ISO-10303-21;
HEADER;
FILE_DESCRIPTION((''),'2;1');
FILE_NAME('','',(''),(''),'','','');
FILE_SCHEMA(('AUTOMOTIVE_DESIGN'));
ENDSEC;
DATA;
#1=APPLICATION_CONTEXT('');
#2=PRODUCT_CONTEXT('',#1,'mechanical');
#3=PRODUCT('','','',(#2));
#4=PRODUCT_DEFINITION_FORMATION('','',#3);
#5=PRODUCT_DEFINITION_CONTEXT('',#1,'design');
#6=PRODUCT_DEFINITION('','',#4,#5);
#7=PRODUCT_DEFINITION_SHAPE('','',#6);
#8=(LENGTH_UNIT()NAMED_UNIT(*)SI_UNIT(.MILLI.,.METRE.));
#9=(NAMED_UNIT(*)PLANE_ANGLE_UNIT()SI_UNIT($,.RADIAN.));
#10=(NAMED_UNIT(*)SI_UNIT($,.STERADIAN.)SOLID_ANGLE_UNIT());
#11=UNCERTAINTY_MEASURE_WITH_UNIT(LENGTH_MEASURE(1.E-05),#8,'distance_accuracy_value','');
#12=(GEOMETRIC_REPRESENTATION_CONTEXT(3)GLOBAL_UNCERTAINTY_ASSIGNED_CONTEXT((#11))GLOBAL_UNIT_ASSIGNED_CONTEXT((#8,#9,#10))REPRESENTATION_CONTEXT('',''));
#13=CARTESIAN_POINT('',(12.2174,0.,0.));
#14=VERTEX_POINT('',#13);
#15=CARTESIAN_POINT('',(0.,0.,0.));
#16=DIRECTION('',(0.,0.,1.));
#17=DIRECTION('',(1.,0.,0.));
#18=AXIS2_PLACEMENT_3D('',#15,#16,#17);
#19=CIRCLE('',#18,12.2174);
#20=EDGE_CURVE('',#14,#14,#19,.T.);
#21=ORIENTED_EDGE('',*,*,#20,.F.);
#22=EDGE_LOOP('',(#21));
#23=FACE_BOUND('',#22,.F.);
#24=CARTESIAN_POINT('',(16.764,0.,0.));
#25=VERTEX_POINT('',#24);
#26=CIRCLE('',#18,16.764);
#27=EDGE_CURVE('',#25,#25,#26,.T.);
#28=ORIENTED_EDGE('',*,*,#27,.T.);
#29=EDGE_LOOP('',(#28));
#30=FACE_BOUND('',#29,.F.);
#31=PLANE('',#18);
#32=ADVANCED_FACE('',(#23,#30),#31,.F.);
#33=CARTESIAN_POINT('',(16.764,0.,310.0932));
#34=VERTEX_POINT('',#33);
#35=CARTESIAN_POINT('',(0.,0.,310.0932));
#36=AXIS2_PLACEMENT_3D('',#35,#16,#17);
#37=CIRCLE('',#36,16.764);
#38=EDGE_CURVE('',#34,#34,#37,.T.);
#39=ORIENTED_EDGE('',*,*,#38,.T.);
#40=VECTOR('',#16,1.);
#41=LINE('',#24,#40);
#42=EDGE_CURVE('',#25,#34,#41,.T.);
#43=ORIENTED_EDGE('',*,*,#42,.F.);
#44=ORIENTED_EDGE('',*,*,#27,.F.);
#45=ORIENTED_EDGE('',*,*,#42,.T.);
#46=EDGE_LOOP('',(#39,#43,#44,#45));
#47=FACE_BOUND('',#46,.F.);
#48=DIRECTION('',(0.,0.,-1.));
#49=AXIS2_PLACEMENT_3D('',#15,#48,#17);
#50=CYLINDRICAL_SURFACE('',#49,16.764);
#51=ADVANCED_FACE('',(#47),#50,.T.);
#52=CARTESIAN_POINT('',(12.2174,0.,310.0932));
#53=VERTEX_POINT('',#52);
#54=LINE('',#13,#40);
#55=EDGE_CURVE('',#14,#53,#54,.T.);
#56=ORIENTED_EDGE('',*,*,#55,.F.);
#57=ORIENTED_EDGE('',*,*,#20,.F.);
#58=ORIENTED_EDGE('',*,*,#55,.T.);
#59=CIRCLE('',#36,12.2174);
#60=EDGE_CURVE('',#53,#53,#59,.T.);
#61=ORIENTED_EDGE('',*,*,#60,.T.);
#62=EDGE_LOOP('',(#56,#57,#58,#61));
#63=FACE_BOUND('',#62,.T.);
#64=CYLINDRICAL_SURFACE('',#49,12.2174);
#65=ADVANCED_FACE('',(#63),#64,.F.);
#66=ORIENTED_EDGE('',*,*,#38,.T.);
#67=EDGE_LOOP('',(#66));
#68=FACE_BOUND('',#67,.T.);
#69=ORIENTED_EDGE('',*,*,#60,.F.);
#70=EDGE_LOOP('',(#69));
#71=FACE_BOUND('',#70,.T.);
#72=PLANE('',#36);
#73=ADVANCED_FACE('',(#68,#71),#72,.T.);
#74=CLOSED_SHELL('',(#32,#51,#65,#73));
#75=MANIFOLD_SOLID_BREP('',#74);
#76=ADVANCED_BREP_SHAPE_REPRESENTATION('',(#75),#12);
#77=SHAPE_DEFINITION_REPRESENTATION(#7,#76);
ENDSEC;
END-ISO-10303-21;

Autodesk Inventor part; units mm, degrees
ref_plane "YZ Plane" through (0, 0, 0) normal (1, 0, 0) x (0, 1, 0)
ref_plane "Start Plane" through (0, 0, 0) normal (0, 0, 1) x (1, 0, 0)
ref_plane "End Plane" through (0, 0, 310.0932) normal (0, 0, 1) x (1, 0, 0)
sketch "Sketch" plane through (0, 0, 0) normal (0, 0, 1) x (1, 0, 0)
  circle A0 centre (0, 0) radius 12.2174
  circle A1 centre (0, 0) radius 16.764
  dimension "d0" = 33.528
  dimension "d1" = 4.5466
extrude "Body" add sketch "Sketch" along normal up to surface (310.0932 mm away) from surface at 0
sketch "Sketch3" plane through (0, 0, 0) normal (0, 0, 1) x (1, 0, 0)
  line L0 (0, 0) -> (10, 0)
ref_plane "Work Plane3" through (0, 0, 0) normal (0, -1, 0) x (1, 0, 0)
sketch "Sketch4" plane through (0, 0, 0) normal (0, -1, 0) x (1, 0, 0)
  line L0 (-2, 0) -> (12, 0) projected
  line L1 (-2, 310.0932) -> (12, 310.0932) projected
  dimension "d7" = 310.0932
equation "\"d0\" = G_H"
equation "\"d1\" = G_T"
equation "\"d2\" = G_L"
equation "\"G_H\" = 33.528"
equation "\"G_T\" = 4.5466"
equation "\"G_L\" = d7"
equation "\"G_OFFSET_START\" = 0"
equation "\"G_OFFSET_END\" = 0"
equation "\"d5\" = G_OFFSET_END + B_L"
equation "\"B_L\" = 310.09323"
properties part number "ANSI - 1 x 0.179 - 12.208" material "Steel, Mild"
